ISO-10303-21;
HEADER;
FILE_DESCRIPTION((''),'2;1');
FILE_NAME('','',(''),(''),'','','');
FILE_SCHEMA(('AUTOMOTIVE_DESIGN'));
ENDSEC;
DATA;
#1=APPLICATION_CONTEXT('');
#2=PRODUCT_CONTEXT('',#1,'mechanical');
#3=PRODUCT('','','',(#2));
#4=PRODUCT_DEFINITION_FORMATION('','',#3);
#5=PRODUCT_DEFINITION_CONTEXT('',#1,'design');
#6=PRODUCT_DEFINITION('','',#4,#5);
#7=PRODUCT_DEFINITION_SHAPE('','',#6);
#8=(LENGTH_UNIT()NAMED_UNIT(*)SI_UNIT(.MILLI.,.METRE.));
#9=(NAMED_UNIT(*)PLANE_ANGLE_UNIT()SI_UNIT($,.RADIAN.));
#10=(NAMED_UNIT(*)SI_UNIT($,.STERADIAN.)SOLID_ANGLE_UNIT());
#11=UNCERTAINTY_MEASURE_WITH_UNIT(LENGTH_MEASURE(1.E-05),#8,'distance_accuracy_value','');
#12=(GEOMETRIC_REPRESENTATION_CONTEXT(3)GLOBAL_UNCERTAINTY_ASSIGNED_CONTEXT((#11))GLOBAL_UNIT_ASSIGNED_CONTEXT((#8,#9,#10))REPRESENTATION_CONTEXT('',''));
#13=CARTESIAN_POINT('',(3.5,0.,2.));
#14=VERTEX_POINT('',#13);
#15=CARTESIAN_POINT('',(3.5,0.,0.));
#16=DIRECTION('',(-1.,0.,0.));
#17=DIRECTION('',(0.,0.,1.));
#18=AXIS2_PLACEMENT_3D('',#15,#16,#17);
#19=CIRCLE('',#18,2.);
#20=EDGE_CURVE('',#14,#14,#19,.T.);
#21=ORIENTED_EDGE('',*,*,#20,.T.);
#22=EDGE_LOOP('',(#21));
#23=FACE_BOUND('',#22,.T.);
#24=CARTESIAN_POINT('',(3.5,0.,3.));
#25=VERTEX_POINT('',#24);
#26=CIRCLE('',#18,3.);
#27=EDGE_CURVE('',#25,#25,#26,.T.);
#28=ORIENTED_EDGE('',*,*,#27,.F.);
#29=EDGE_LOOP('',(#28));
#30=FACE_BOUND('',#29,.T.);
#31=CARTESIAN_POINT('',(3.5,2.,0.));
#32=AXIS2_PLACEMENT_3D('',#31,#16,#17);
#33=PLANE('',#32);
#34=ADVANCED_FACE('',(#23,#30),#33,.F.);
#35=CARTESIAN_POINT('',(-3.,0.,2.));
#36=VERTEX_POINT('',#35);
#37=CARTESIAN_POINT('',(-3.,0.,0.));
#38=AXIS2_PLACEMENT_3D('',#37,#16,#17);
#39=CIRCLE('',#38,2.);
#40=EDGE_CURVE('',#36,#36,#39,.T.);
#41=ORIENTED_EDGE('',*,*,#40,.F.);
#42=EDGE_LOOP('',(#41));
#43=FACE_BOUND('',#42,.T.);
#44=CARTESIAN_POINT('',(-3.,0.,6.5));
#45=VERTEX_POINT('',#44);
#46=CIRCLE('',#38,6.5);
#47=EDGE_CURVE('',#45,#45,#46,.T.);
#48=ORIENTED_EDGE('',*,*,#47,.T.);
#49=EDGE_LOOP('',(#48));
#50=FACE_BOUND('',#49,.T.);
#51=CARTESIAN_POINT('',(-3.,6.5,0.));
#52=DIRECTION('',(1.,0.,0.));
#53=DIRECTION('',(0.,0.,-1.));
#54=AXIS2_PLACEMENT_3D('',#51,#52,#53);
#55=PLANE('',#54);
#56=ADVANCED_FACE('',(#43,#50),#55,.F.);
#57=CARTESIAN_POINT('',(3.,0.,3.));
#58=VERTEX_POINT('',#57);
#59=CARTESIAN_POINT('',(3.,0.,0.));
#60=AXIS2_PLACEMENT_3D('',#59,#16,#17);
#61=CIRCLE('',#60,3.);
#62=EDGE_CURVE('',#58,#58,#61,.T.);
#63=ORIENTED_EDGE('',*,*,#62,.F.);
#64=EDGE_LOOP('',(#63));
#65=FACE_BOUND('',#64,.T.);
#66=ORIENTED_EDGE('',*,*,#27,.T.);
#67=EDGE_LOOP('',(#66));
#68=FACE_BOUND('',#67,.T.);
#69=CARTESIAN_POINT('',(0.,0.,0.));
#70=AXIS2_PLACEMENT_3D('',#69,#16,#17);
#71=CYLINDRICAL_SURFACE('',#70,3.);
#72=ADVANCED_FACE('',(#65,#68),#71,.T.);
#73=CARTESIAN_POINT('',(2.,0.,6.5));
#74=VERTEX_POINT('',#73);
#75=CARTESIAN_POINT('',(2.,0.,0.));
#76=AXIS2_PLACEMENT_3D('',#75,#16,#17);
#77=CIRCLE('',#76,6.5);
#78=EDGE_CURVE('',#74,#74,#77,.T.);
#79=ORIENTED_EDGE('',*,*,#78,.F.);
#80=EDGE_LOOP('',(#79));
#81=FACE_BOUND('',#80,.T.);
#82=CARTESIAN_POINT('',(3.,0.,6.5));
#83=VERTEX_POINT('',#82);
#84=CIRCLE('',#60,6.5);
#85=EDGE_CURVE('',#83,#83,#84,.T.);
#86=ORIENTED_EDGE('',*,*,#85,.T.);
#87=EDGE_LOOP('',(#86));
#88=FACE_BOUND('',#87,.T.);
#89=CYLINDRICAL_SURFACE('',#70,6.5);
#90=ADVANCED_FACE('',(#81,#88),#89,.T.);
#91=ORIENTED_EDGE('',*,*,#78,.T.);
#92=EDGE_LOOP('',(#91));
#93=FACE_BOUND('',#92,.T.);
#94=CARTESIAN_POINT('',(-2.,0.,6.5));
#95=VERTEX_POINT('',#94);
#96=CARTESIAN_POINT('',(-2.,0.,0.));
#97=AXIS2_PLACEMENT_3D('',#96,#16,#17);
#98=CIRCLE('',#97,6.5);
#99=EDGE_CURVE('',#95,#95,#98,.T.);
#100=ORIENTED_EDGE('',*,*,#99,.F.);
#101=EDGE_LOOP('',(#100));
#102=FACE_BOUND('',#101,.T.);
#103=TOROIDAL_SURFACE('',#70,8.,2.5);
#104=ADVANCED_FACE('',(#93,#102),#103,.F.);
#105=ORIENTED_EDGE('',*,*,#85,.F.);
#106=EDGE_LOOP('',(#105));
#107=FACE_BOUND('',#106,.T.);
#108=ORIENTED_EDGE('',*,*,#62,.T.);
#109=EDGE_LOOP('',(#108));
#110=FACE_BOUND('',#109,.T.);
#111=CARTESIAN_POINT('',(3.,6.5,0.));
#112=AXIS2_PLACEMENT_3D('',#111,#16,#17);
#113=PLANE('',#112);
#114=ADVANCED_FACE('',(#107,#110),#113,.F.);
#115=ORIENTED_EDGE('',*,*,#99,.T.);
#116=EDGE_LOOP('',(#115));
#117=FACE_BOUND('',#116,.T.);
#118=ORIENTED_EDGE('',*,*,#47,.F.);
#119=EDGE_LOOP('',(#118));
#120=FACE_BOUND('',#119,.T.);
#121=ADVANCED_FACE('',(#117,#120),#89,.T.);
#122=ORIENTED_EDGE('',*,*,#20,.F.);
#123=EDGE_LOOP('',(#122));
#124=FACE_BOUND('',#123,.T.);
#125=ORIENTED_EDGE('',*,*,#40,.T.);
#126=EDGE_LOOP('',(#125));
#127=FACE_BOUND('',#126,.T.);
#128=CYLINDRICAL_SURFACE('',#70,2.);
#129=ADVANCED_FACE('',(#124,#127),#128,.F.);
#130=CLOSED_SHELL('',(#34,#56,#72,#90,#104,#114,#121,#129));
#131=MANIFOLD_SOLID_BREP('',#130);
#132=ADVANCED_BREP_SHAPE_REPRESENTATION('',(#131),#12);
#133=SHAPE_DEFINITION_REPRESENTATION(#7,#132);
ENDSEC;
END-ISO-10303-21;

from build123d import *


with BuildPart() as part:
    # Esquisse1 → Révolution1 (revolve)
    with BuildSketch(Plane.XY, mode=Mode.PRIVATE) as r_volution1_sk:
        with BuildLine():
            Line((2, 6.5), (3, 6.5))
            Line((3, 6.5), (3, 3))
            Line((3, 3), (3.5, 3))
            Line((3.5, 3), (3.5, 2))
            Line((3.5, 2), (-3, 2))
            Line((-3, 2), (-3, 6.5))
            Line((-3, 6.5), (-2, 6.5))
            ThreePointArc((-2, 6.5), (0, 5.5), (2, 6.5))
        make_face()
    revolve(r_volution1_sk.sketch.rotate(Axis((0, 0, 0), (1, 0, 0)), 90), axis=Axis((0, 0, 0), (1, 0, 0)))


solid = part.part
